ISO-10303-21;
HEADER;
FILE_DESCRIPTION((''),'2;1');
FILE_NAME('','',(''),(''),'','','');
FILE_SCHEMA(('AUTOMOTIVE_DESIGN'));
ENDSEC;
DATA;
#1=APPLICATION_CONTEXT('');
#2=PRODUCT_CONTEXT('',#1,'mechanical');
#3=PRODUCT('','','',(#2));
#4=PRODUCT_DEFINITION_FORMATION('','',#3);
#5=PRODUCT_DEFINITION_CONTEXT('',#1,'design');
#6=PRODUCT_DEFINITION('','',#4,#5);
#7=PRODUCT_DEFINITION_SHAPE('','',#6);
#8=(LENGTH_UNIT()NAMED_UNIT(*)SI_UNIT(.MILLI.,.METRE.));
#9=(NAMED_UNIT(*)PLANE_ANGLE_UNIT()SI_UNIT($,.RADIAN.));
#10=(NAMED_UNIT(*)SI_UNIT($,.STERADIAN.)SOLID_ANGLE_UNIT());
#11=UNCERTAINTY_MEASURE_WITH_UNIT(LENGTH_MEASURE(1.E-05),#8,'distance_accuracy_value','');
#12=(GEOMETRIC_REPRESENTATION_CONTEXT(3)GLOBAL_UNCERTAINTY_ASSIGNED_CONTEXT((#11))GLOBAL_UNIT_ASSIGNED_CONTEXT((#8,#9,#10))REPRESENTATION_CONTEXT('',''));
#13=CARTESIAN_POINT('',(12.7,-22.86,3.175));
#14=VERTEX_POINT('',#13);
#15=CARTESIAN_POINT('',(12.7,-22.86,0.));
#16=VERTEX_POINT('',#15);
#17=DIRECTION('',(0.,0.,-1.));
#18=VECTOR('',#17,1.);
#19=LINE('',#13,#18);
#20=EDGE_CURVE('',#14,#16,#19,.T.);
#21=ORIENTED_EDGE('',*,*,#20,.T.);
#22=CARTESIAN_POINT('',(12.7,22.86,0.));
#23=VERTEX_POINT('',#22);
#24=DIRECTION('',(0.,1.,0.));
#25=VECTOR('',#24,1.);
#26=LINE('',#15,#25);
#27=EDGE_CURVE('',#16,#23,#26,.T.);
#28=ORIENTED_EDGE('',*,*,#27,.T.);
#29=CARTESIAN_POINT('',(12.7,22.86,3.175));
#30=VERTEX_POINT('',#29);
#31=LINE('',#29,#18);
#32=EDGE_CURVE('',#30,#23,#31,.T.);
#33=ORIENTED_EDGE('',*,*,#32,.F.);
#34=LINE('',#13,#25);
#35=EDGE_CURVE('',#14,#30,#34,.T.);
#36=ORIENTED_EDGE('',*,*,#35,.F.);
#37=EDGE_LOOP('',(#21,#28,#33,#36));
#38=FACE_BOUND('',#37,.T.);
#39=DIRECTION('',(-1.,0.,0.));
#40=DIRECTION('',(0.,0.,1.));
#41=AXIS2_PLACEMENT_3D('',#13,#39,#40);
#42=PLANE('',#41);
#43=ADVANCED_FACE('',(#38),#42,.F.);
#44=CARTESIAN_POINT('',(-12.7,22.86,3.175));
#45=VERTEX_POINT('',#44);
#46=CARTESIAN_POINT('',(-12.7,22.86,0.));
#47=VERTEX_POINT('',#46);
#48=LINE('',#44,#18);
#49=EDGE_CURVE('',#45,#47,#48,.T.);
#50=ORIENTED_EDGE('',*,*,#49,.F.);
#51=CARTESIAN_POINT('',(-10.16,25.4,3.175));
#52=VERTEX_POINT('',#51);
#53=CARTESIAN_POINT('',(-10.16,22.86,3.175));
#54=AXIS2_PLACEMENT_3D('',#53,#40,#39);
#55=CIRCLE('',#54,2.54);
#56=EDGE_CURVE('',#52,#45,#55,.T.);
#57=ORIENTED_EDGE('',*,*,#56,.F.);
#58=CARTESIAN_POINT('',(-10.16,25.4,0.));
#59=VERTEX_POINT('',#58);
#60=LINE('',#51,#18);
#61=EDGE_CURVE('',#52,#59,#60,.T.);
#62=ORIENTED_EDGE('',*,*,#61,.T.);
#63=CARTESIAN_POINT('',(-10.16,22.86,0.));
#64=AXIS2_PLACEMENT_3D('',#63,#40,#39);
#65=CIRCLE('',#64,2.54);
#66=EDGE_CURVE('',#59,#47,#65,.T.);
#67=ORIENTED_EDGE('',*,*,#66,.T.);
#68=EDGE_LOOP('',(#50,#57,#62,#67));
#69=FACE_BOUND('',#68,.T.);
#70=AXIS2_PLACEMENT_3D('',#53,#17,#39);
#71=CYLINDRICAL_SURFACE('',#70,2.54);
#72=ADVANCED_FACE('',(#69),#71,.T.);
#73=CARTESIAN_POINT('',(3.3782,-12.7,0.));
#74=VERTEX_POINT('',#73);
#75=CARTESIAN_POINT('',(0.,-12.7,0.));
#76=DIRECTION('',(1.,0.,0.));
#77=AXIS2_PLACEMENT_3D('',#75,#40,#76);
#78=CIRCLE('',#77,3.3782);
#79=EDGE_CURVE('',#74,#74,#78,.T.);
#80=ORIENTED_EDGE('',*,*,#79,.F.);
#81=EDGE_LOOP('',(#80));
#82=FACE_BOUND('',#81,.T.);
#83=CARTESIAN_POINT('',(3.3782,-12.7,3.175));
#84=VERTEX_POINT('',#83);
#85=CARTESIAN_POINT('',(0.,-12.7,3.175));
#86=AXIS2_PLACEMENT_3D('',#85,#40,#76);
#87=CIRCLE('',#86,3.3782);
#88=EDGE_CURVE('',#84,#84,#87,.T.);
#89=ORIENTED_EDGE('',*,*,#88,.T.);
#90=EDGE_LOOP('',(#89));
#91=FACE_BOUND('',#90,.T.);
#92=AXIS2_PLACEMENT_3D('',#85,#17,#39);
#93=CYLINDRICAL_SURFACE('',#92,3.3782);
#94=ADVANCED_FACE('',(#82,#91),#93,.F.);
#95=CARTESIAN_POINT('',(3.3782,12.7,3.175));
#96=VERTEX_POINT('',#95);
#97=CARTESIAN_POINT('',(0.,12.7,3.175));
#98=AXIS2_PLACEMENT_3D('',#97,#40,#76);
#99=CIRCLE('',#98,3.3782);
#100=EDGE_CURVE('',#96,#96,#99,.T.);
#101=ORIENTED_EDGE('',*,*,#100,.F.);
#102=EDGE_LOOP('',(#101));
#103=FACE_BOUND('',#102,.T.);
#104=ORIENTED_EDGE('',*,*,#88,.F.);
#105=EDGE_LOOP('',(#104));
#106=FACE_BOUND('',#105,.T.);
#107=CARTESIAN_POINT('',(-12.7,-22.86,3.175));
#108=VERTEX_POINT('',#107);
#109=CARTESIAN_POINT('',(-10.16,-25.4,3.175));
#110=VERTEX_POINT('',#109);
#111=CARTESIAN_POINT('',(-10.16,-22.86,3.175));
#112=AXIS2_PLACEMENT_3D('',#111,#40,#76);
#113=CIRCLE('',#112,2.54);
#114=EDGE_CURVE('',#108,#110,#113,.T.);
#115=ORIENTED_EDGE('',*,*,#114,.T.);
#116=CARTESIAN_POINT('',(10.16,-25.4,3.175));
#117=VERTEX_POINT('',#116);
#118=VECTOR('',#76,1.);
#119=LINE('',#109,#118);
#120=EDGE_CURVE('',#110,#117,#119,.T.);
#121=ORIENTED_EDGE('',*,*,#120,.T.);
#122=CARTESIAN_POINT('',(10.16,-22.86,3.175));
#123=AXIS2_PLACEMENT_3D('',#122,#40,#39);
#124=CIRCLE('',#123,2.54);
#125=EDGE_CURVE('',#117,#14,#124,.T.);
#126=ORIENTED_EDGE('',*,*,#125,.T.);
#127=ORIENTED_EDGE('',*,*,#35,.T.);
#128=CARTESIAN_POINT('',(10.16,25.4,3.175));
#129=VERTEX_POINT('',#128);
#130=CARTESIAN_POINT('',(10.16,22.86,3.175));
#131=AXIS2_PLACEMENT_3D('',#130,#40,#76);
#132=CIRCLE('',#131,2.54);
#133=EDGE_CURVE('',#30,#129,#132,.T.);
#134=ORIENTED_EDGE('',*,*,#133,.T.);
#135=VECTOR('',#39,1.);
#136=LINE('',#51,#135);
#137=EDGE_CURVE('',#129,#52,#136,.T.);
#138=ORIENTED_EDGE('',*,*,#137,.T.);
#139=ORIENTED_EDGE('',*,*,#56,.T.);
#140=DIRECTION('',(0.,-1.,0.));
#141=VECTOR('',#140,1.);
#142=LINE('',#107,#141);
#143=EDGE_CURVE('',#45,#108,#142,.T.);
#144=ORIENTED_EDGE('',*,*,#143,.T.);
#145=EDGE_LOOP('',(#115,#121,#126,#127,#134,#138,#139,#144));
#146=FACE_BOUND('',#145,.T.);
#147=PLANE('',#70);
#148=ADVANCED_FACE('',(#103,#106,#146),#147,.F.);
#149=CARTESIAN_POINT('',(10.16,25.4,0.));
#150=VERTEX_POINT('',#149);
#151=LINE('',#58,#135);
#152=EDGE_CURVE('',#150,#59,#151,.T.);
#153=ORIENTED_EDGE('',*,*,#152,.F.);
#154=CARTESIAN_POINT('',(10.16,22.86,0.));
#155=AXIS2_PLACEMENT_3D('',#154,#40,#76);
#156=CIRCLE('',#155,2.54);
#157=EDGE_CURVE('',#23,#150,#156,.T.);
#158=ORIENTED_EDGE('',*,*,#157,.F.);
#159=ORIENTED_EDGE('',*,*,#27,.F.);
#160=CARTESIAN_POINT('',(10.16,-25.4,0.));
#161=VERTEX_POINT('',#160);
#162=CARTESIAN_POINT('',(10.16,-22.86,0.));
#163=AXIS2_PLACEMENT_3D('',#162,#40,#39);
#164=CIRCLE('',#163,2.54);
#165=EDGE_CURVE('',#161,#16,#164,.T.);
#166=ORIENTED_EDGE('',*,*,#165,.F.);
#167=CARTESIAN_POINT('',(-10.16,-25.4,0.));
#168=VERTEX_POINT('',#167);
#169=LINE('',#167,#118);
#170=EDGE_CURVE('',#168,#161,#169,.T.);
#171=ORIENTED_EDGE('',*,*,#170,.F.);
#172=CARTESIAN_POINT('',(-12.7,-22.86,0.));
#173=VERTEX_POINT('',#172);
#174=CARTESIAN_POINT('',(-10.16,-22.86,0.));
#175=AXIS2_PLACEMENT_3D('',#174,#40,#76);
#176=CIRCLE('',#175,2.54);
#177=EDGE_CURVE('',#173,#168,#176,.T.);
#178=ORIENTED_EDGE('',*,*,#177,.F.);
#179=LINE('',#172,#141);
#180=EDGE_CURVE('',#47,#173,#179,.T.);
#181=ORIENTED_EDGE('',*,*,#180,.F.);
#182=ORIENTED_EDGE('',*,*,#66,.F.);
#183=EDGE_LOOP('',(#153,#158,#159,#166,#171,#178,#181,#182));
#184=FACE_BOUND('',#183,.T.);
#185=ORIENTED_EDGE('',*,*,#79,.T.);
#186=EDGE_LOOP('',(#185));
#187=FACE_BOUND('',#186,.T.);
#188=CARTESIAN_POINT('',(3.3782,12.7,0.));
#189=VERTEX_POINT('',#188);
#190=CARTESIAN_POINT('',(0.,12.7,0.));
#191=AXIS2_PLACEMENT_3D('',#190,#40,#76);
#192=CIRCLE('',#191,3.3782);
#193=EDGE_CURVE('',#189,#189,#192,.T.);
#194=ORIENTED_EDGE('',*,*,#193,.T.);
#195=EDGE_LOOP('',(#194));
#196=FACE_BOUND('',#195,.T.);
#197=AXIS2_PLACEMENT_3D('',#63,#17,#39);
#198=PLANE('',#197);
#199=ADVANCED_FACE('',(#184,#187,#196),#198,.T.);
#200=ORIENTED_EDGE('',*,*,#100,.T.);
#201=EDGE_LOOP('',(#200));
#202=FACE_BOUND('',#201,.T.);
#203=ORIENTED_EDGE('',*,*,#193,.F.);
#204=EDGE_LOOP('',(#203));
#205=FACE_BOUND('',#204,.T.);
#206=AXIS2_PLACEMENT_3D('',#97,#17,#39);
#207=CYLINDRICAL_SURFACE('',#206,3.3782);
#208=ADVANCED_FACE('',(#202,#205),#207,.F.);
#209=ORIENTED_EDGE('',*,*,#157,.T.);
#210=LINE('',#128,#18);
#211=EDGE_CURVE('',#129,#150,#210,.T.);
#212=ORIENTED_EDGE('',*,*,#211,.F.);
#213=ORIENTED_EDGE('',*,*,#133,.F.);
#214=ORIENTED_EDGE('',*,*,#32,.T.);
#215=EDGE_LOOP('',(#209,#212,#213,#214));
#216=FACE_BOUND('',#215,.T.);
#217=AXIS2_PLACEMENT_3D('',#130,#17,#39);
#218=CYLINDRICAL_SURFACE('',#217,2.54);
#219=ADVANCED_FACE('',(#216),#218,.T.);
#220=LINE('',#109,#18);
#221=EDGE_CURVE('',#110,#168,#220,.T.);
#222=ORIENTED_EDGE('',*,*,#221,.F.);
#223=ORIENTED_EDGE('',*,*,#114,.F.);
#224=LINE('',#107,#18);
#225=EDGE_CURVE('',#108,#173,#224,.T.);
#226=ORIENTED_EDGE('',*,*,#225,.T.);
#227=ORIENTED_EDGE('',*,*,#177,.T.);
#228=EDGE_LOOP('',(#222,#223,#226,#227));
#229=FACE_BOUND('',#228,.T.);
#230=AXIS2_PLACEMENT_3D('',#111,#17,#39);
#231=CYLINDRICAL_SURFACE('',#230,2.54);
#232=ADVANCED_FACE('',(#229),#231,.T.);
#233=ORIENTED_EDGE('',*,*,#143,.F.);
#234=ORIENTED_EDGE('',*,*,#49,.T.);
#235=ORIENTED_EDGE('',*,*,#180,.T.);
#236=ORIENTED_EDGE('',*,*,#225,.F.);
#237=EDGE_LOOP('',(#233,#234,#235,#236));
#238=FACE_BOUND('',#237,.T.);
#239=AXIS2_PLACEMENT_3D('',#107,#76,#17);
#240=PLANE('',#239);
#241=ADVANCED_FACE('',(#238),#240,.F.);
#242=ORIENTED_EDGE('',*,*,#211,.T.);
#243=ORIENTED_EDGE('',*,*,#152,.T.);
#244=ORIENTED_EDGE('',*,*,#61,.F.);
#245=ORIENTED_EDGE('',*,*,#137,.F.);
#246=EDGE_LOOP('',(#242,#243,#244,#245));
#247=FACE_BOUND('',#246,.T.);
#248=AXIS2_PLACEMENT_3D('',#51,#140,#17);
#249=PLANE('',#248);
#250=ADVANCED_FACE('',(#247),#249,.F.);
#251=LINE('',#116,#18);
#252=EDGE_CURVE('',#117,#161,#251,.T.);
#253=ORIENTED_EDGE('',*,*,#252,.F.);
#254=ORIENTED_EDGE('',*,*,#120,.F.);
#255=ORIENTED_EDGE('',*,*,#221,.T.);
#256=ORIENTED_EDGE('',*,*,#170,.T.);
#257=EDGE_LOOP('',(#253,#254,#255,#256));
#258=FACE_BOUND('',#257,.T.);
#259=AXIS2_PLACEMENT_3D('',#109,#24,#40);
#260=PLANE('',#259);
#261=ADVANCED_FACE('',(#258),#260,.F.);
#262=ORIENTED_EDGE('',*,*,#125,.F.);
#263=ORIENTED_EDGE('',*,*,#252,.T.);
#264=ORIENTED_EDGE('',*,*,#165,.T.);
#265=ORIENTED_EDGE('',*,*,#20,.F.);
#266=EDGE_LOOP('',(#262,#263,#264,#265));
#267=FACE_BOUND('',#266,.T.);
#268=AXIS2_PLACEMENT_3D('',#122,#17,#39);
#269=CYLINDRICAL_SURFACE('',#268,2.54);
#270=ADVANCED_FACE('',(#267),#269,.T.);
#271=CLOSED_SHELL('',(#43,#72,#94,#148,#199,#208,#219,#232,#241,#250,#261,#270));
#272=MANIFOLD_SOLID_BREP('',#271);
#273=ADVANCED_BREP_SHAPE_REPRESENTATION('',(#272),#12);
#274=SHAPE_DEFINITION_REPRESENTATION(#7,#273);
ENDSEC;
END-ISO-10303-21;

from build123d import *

# Parameters (mm, degrees)
SKETCH1_R           = 3.3782
BOSS_EXTRUDE1_DEPTH = 3.175


with BuildPart() as part:
    # Sketch1 → Boss-Extrude1 (new body)
    with BuildSketch(Plane.XY):
        with BuildLine():
            Line((-10.16, -25.4), (10.16, -25.4))
            ThreePointArc((10.16, -25.4), (11.956051224, -24.656051224), (12.7, -22.86))
            Line((12.7, -22.86), (12.7, 22.86))
            ThreePointArc((12.7, 22.86), (11.956051224, 24.656051224), (10.16, 25.4))
            Line((10.16, 25.4), (-10.16, 25.4))
            ThreePointArc((-10.16, 25.4), (-11.956051224, 24.656051224), (-12.7, 22.86))
            Line((-12.7, 22.86), (-12.7, -22.86))
            ThreePointArc((-12.7, -22.86), (-11.956051224, -24.656051224), (-10.16, -25.4))
        make_face()
        with Locations((0, 12.7)):
            Circle(SKETCH1_R, mode=Mode.SUBTRACT)
        with Locations((0, -12.7)):
            Circle(SKETCH1_R, mode=Mode.SUBTRACT)
    extrude(amount=BOSS_EXTRUDE1_DEPTH)


solid = part.part
